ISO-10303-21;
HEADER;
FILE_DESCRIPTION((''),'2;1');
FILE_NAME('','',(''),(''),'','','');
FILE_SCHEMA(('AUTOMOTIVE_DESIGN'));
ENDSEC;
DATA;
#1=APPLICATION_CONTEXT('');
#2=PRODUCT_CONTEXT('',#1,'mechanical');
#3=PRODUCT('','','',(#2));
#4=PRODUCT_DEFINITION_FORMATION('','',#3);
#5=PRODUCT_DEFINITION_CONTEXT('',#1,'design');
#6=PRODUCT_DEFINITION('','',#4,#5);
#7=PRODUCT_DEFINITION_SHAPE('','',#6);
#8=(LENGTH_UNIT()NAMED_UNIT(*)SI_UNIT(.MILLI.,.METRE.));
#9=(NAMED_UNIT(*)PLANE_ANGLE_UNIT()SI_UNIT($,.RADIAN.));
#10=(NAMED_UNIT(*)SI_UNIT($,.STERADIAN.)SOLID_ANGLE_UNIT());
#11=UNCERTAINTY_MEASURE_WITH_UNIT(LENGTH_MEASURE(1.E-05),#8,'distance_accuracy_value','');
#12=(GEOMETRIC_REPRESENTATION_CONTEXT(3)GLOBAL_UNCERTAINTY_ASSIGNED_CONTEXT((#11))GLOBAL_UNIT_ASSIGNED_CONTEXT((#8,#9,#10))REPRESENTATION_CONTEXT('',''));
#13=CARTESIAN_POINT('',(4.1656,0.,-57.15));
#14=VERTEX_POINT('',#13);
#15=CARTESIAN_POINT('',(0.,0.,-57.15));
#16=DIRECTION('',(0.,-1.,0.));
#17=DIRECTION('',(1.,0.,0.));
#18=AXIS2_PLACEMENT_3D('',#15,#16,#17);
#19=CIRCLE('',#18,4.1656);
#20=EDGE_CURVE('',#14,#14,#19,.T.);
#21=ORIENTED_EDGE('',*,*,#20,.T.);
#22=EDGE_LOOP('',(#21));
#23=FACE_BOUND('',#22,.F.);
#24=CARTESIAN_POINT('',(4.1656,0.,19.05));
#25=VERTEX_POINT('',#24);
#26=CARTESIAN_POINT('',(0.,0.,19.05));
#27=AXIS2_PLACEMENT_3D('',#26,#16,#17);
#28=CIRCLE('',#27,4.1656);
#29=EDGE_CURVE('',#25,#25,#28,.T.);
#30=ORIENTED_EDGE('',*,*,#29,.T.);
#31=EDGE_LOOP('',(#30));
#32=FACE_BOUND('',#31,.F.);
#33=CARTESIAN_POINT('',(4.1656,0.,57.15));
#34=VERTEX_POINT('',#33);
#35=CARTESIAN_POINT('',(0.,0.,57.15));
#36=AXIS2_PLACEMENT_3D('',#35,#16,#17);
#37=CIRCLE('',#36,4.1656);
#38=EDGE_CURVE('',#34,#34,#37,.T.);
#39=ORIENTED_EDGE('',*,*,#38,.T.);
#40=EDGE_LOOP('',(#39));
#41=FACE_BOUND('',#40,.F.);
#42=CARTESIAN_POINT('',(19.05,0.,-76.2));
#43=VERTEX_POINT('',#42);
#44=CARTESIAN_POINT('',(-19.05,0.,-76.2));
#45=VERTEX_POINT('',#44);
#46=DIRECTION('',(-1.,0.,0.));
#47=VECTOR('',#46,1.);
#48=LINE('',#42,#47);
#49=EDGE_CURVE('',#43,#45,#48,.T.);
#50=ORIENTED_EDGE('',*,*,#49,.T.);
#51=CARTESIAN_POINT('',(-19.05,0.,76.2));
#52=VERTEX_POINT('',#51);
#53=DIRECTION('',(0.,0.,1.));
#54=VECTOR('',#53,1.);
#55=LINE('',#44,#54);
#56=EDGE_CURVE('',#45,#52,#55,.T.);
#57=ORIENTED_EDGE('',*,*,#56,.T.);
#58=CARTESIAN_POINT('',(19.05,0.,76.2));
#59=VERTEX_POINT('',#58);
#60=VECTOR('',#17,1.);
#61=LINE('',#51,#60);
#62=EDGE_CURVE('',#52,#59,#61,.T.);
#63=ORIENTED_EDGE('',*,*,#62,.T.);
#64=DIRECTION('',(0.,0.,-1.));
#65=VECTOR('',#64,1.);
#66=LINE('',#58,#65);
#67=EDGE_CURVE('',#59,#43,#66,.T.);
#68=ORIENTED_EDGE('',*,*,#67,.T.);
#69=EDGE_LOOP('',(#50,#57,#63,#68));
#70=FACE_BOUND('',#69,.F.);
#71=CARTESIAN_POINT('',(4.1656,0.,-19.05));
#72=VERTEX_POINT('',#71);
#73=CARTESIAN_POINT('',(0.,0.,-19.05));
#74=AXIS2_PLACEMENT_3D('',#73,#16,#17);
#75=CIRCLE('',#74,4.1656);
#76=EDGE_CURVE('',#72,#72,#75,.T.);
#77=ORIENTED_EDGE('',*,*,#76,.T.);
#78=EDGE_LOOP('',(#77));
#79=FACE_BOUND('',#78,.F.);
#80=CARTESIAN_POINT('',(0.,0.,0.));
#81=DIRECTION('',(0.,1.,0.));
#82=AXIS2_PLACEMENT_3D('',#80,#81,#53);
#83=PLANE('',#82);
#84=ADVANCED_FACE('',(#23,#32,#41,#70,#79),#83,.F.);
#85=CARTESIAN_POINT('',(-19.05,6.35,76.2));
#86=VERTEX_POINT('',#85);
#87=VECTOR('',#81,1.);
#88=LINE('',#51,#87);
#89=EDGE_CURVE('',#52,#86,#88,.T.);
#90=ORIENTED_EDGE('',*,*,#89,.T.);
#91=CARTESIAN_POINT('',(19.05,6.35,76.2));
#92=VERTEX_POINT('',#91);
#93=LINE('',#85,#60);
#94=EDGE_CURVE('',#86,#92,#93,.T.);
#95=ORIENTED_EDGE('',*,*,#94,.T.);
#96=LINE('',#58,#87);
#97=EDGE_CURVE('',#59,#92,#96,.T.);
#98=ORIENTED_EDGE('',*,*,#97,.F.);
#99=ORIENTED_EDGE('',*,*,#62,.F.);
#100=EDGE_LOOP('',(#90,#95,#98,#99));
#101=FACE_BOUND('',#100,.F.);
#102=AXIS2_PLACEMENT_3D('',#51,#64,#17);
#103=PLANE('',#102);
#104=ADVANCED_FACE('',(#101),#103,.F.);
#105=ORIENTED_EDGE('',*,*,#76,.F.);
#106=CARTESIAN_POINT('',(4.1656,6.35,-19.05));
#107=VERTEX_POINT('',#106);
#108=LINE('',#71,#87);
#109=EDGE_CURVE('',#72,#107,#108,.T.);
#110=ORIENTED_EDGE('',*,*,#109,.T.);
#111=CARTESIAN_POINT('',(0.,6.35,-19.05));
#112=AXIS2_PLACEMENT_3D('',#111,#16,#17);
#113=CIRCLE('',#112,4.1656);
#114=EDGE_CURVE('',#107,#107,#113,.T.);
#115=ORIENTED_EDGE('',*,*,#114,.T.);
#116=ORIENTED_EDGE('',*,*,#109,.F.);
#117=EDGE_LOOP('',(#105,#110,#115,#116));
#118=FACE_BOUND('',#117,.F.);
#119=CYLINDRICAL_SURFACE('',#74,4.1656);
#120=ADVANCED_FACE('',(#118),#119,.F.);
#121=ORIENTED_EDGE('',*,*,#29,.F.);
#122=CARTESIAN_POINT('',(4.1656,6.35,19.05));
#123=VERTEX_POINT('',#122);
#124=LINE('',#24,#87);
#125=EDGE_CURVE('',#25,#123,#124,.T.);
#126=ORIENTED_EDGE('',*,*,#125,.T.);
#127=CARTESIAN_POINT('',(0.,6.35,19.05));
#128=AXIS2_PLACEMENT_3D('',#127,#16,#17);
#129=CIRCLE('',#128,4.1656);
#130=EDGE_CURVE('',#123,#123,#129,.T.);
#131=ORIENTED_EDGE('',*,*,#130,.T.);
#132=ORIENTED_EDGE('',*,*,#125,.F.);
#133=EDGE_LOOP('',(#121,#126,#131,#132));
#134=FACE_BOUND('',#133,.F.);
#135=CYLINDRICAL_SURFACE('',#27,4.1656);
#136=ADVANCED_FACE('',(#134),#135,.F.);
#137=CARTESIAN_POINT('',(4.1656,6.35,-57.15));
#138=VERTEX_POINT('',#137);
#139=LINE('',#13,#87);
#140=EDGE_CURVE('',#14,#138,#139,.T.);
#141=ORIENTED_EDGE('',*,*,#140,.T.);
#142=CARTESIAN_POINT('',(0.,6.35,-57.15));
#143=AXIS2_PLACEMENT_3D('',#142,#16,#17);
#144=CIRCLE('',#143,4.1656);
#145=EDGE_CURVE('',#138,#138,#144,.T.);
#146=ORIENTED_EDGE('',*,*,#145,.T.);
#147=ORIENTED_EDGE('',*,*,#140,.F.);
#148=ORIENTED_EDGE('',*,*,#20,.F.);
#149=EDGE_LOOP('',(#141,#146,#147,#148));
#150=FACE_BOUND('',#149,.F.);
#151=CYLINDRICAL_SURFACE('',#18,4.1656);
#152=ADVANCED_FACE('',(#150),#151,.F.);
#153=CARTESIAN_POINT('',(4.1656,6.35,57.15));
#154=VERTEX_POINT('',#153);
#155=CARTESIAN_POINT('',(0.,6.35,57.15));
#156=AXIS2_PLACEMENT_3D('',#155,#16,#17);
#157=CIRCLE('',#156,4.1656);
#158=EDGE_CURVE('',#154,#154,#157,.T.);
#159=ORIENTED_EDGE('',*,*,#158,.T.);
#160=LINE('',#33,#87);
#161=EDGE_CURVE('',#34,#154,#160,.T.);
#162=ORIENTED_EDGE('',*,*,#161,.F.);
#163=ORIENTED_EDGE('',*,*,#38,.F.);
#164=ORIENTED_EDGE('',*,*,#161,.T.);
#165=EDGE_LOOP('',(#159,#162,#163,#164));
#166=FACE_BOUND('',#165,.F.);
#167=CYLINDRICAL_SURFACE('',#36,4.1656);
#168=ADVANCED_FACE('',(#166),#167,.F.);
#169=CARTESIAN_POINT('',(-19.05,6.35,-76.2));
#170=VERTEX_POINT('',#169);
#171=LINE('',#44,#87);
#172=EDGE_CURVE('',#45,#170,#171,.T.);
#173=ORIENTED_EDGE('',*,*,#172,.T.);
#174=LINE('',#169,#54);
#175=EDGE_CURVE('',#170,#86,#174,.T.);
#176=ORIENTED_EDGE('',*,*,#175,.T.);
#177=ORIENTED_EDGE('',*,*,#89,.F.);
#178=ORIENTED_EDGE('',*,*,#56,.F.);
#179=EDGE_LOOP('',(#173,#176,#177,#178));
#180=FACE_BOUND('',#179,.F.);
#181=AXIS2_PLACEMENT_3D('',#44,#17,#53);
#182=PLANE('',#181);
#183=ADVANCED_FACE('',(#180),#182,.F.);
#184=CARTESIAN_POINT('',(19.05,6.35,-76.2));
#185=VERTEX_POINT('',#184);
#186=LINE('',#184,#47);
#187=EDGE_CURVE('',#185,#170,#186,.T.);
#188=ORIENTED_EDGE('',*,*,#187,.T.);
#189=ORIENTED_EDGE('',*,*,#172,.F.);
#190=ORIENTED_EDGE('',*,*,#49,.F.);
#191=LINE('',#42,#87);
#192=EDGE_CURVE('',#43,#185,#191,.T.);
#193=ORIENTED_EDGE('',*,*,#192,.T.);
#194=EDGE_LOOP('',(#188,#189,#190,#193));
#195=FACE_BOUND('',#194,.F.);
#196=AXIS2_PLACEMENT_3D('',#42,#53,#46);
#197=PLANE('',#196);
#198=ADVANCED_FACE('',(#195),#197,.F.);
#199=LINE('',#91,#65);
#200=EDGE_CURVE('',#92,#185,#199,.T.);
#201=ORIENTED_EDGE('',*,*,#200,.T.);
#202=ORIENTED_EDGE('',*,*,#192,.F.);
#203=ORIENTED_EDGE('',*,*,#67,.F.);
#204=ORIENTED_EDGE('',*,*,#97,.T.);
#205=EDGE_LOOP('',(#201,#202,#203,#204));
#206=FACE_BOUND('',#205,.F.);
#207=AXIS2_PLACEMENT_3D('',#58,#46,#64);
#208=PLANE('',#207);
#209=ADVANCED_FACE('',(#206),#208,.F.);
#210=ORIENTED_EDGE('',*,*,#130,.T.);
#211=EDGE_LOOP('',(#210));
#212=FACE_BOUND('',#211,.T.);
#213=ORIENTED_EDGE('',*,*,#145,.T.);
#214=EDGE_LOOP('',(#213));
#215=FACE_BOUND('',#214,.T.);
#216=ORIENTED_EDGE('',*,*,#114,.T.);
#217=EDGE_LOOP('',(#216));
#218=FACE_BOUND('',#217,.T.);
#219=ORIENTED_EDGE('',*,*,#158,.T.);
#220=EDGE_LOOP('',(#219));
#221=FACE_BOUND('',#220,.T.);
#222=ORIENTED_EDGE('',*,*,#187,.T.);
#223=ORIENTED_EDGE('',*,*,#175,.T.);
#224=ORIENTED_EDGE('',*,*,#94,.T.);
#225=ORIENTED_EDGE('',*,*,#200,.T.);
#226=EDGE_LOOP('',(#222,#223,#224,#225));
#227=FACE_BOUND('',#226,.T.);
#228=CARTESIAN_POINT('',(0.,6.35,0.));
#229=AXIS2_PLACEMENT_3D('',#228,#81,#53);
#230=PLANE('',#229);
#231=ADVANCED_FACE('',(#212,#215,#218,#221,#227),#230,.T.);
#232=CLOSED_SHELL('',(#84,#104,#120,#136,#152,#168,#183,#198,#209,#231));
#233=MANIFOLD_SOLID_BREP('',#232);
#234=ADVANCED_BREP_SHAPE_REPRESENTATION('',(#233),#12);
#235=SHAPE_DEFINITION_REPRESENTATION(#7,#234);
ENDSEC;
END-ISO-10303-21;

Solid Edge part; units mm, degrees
sketch "Sketch1" plane through (0, 0, 0) normal (0, -1, 0) x (1, 0, 0)
  circle A0 centre (0, -57.15) radius 4.1656
  circle A1 centre (0, -19.05) radius 4.1656
  circle A2 centre (0, 19.05) radius 4.1656
  circle A3 centre (0, 57.15) radius 4.1656
  line L0 (-19.05, 76.2) -> (19.05, 76.2)
  line L1 (19.05, 76.2) -> (19.05, -76.2)
  line L2 (19.05, -76.2) -> (-19.05, -76.2)
  line L3 (-19.05, -76.2) -> (-19.05, 76.2)
  dimension "D1" = 152.4
  dimension "D2" = 38.1
  dimension "D3" = 8.3312
  dimension "D4" = 38.1
extrude "Protrusion1" add sketch "Sketch1" against normal blind 6.35
